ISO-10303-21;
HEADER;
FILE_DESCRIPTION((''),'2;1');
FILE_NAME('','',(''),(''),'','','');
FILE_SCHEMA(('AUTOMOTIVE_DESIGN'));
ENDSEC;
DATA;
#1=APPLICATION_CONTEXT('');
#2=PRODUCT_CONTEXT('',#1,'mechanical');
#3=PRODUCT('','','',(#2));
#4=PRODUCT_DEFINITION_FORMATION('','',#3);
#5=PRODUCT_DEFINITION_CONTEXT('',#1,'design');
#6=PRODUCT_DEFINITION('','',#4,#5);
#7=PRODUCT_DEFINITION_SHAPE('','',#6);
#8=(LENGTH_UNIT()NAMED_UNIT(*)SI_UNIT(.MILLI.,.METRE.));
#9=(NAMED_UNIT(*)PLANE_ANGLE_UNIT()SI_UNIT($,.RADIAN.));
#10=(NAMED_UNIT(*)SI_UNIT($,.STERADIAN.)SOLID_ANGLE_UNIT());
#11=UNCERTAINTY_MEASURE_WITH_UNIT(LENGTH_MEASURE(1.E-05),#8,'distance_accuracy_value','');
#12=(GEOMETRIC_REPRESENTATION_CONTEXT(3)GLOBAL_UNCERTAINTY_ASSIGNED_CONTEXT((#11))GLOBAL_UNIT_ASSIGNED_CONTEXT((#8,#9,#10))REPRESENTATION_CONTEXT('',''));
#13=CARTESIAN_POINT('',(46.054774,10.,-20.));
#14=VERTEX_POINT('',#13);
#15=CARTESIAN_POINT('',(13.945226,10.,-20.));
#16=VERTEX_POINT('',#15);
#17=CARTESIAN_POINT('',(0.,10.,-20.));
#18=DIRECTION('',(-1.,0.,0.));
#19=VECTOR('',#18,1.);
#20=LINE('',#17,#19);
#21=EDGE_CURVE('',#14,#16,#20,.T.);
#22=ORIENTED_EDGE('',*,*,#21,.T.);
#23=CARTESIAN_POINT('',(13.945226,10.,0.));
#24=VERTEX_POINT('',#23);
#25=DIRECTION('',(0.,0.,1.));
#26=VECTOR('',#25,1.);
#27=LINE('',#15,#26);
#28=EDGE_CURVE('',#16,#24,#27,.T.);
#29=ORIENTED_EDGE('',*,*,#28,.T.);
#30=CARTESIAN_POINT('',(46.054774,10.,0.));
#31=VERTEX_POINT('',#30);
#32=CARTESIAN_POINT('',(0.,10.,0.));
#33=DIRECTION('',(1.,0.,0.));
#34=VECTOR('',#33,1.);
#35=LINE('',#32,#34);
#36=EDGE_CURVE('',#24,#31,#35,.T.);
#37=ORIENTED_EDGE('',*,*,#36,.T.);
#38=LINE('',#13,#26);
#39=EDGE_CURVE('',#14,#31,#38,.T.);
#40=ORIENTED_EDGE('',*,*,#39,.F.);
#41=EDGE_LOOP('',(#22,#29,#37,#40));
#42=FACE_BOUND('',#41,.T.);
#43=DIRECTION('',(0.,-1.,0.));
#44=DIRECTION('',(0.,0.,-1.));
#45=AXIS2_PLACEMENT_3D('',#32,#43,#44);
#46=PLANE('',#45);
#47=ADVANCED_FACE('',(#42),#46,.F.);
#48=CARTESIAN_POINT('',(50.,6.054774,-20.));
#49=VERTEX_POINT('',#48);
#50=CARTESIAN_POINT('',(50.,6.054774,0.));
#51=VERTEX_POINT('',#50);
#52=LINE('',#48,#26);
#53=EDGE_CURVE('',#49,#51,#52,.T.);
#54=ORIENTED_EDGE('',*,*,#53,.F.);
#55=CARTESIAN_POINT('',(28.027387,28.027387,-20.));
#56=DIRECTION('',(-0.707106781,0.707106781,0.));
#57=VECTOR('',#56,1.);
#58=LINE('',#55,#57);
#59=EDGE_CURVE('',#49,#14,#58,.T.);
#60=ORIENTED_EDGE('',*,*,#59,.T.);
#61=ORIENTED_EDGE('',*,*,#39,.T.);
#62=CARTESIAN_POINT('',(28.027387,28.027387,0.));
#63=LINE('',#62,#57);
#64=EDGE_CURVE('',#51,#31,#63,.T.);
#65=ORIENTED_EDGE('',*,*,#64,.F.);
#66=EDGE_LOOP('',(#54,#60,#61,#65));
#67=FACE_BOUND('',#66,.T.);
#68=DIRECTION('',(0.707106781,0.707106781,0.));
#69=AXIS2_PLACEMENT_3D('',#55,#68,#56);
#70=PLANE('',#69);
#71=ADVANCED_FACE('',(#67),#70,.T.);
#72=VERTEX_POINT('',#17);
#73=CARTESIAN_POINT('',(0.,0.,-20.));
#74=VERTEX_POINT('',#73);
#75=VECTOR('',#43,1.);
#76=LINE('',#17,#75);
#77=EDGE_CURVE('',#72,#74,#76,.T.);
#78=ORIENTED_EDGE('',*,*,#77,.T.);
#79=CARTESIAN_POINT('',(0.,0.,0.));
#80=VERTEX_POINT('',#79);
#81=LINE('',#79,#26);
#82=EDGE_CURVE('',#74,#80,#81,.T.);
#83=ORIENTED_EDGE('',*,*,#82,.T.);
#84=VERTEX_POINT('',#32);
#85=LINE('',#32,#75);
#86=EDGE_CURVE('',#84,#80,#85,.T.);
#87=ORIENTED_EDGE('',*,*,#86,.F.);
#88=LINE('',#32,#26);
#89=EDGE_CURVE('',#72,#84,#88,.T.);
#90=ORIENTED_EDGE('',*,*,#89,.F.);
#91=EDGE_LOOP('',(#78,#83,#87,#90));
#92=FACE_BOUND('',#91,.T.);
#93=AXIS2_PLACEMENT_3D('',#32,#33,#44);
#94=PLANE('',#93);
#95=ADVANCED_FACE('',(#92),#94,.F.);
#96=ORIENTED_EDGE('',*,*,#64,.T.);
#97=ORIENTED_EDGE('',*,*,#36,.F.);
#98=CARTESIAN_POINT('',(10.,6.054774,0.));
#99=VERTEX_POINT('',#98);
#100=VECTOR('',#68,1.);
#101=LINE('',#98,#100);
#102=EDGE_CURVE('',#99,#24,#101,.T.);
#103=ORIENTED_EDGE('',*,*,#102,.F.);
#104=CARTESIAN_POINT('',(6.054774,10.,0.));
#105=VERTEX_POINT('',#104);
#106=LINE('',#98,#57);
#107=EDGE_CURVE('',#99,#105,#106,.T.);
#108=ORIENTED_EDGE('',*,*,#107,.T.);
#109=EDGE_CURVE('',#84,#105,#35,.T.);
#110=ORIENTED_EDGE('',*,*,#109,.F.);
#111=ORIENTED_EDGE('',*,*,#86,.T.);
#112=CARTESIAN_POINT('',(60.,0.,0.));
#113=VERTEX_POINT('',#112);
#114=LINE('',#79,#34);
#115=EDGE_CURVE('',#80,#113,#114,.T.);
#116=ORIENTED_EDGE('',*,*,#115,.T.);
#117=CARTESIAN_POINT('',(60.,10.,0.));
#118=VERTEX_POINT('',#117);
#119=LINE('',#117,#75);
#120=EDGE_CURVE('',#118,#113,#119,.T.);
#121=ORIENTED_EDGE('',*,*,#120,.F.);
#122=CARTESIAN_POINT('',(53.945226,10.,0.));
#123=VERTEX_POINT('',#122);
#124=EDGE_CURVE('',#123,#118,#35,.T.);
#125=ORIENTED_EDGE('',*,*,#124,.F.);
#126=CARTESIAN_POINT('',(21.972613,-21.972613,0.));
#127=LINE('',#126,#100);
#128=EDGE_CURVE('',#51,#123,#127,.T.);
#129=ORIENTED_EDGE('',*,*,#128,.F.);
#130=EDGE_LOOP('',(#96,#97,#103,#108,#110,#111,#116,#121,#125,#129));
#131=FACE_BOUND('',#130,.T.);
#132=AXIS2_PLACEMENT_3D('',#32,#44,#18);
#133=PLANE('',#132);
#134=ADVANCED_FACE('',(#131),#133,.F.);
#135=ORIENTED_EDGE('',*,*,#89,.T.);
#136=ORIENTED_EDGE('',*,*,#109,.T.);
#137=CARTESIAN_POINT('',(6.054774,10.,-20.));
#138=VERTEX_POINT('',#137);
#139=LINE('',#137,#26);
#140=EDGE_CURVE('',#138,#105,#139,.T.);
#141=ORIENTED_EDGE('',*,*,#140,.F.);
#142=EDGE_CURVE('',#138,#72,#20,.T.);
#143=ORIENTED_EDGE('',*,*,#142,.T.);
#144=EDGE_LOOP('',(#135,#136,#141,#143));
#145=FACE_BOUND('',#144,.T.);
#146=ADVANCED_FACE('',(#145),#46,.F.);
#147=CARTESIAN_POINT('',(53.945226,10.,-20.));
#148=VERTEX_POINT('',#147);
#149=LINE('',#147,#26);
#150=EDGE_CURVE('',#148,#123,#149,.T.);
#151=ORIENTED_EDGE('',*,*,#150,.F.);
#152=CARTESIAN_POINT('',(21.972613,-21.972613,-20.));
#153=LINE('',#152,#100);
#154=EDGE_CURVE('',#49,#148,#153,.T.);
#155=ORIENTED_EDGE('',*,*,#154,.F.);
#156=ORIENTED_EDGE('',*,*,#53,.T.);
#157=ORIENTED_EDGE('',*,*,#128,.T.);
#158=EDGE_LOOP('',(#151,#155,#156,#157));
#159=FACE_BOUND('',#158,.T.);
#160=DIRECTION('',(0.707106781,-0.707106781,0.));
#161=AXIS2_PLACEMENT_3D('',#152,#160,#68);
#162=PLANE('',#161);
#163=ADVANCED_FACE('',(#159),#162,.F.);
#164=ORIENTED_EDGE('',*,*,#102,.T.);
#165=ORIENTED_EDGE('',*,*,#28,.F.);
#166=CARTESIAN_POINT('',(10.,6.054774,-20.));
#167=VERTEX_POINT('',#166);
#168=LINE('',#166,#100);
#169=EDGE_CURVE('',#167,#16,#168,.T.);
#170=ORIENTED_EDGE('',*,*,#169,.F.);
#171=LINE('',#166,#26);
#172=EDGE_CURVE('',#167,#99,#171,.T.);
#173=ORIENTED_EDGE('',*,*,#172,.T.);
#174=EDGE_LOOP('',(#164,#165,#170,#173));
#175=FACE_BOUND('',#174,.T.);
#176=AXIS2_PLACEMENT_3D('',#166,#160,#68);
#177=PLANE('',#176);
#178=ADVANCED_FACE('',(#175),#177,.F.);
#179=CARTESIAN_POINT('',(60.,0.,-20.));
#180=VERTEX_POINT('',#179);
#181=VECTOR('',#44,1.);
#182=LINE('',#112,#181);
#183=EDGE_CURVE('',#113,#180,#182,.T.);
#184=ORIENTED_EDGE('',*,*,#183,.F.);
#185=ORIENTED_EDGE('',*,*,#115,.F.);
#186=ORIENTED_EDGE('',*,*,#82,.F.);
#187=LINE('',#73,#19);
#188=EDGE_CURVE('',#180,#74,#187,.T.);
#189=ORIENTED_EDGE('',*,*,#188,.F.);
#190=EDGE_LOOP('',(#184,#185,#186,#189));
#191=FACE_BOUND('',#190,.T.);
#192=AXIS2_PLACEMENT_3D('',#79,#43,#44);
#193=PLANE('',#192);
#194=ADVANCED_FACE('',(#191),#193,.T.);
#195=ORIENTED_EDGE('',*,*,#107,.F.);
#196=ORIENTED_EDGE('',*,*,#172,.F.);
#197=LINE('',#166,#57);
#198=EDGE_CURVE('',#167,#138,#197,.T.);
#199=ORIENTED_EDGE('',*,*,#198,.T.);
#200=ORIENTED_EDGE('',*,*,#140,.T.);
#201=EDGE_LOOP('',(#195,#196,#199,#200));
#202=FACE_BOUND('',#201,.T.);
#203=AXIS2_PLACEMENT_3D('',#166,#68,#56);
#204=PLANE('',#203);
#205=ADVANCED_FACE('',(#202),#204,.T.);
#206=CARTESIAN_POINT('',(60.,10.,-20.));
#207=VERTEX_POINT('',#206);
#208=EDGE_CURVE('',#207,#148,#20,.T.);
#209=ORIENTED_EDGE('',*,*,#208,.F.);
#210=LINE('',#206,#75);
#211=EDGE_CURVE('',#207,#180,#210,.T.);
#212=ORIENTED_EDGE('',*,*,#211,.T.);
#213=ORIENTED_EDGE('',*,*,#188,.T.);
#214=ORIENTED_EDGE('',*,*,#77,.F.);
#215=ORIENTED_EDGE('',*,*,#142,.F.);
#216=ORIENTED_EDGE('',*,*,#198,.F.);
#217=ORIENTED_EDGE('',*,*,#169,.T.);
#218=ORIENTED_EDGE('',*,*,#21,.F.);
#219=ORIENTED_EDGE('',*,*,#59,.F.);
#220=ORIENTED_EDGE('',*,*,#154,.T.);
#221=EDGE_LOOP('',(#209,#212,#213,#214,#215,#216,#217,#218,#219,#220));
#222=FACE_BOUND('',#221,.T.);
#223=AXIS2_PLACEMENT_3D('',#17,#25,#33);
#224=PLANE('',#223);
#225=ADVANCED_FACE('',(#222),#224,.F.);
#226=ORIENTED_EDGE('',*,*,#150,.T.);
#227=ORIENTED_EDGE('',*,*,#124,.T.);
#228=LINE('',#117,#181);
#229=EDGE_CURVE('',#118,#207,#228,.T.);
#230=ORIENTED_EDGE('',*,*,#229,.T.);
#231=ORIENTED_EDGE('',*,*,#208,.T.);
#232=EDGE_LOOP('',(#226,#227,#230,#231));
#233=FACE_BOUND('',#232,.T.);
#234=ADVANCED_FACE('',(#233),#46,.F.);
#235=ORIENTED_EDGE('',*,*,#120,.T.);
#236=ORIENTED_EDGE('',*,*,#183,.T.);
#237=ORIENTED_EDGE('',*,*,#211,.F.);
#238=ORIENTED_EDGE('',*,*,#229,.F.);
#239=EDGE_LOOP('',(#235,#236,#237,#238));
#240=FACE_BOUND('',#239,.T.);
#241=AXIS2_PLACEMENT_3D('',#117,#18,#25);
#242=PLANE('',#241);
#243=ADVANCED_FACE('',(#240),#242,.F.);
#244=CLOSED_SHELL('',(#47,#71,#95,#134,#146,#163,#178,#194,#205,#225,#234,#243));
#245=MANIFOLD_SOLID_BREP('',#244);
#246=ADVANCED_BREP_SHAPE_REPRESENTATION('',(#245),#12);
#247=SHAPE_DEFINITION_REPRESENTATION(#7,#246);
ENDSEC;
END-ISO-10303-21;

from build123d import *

# Parameters (mm, degrees)
SKETCH1_W           = 60
SKETCH1_H           = 20
BOSS_EXTRUDE1_DEPTH = 10
CUT_EXTRUDE1_DEPTH  = 65.031242374


with BuildPart() as part:
    # Sketch1 → Boss-Extrude1 (new body)
    with BuildSketch(Plane(origin=(0, 0, 0), x_dir=(1, 0, 0), z_dir=(0, 1, 0))):
        with Locations((30, 10)):
            Rectangle(SKETCH1_W, SKETCH1_H)
    extrude(amount=BOSS_EXTRUDE1_DEPTH)

    # Sketch2 → Cut-Extrude1 (cut, through all)
    with BuildSketch(Plane.XY):
        Polygon((13.94522636, 10), (6.05477364, 10), (10, 6.05477364), align=None)
        Polygon((46.05477364, 10), (50, 6.05477364), (53.94522636, 10), align=None)
    extrude(amount=-CUT_EXTRUDE1_DEPTH, mode=Mode.SUBTRACT)


solid = part.part
